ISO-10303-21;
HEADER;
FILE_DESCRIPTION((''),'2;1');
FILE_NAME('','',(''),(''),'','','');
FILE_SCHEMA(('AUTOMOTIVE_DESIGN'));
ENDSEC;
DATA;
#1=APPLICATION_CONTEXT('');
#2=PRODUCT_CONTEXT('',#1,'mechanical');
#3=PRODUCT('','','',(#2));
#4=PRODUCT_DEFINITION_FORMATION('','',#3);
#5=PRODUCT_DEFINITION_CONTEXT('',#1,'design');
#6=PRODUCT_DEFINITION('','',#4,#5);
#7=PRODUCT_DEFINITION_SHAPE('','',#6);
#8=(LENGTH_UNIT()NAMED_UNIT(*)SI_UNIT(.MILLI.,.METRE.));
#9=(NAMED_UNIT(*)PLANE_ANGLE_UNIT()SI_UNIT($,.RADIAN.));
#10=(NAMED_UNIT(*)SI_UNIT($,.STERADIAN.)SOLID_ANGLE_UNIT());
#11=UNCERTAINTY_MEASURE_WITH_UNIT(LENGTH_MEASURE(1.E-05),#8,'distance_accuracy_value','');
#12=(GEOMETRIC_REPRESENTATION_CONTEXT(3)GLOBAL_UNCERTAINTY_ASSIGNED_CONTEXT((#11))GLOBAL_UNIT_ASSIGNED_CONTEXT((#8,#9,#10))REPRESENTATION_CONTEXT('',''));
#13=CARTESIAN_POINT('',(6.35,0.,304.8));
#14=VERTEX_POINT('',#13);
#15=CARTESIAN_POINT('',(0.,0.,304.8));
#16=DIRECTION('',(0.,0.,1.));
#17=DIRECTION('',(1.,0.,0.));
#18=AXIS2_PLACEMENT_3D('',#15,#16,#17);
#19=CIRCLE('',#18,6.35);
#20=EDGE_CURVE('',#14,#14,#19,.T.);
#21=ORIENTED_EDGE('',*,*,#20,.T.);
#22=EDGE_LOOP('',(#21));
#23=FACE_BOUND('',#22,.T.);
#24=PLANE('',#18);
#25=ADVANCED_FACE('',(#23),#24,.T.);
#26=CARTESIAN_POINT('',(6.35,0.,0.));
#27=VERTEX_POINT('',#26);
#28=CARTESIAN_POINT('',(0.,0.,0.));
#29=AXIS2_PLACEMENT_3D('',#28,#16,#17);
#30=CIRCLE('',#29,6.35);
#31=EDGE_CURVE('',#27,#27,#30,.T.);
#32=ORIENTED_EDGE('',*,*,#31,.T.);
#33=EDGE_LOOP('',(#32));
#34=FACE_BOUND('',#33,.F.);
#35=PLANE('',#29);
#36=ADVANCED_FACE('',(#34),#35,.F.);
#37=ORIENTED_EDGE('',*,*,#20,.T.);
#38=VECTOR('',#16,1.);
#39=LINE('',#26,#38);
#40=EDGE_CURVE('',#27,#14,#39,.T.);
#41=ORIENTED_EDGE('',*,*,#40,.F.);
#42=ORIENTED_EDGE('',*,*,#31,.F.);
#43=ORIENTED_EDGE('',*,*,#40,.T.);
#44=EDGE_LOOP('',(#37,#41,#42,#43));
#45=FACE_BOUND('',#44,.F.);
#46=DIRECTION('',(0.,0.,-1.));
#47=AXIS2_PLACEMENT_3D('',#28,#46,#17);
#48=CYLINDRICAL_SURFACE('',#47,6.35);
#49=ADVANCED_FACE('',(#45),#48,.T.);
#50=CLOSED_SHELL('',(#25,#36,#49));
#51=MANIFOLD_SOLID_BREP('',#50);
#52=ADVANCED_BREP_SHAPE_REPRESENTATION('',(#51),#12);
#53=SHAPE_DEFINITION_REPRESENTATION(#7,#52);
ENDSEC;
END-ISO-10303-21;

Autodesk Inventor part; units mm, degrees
ref_plane "YZ Plane" through (0, 0, 0) normal (1, 0, 0) x (0, 1, 0)
ref_plane "XZ Plane" through (0, 0, 0) normal (0, 1, 0) x (-1, 0, 0)
ref_plane "XY Plane" through (0, 0, 0) normal (0, 0, 1) x (1, 0, 0)
sketch "Sketch1" plane through (0, 0, 0) normal (0, 0, 1) x (1, 0, 0)
  circle A0 centre (0, 0) radius 6.35
  dimension "d0" = 12.7
extrude "Extrusion1" add sketch "Sketch1" along normal blind 304.8
properties part number "Spinning Rod"
